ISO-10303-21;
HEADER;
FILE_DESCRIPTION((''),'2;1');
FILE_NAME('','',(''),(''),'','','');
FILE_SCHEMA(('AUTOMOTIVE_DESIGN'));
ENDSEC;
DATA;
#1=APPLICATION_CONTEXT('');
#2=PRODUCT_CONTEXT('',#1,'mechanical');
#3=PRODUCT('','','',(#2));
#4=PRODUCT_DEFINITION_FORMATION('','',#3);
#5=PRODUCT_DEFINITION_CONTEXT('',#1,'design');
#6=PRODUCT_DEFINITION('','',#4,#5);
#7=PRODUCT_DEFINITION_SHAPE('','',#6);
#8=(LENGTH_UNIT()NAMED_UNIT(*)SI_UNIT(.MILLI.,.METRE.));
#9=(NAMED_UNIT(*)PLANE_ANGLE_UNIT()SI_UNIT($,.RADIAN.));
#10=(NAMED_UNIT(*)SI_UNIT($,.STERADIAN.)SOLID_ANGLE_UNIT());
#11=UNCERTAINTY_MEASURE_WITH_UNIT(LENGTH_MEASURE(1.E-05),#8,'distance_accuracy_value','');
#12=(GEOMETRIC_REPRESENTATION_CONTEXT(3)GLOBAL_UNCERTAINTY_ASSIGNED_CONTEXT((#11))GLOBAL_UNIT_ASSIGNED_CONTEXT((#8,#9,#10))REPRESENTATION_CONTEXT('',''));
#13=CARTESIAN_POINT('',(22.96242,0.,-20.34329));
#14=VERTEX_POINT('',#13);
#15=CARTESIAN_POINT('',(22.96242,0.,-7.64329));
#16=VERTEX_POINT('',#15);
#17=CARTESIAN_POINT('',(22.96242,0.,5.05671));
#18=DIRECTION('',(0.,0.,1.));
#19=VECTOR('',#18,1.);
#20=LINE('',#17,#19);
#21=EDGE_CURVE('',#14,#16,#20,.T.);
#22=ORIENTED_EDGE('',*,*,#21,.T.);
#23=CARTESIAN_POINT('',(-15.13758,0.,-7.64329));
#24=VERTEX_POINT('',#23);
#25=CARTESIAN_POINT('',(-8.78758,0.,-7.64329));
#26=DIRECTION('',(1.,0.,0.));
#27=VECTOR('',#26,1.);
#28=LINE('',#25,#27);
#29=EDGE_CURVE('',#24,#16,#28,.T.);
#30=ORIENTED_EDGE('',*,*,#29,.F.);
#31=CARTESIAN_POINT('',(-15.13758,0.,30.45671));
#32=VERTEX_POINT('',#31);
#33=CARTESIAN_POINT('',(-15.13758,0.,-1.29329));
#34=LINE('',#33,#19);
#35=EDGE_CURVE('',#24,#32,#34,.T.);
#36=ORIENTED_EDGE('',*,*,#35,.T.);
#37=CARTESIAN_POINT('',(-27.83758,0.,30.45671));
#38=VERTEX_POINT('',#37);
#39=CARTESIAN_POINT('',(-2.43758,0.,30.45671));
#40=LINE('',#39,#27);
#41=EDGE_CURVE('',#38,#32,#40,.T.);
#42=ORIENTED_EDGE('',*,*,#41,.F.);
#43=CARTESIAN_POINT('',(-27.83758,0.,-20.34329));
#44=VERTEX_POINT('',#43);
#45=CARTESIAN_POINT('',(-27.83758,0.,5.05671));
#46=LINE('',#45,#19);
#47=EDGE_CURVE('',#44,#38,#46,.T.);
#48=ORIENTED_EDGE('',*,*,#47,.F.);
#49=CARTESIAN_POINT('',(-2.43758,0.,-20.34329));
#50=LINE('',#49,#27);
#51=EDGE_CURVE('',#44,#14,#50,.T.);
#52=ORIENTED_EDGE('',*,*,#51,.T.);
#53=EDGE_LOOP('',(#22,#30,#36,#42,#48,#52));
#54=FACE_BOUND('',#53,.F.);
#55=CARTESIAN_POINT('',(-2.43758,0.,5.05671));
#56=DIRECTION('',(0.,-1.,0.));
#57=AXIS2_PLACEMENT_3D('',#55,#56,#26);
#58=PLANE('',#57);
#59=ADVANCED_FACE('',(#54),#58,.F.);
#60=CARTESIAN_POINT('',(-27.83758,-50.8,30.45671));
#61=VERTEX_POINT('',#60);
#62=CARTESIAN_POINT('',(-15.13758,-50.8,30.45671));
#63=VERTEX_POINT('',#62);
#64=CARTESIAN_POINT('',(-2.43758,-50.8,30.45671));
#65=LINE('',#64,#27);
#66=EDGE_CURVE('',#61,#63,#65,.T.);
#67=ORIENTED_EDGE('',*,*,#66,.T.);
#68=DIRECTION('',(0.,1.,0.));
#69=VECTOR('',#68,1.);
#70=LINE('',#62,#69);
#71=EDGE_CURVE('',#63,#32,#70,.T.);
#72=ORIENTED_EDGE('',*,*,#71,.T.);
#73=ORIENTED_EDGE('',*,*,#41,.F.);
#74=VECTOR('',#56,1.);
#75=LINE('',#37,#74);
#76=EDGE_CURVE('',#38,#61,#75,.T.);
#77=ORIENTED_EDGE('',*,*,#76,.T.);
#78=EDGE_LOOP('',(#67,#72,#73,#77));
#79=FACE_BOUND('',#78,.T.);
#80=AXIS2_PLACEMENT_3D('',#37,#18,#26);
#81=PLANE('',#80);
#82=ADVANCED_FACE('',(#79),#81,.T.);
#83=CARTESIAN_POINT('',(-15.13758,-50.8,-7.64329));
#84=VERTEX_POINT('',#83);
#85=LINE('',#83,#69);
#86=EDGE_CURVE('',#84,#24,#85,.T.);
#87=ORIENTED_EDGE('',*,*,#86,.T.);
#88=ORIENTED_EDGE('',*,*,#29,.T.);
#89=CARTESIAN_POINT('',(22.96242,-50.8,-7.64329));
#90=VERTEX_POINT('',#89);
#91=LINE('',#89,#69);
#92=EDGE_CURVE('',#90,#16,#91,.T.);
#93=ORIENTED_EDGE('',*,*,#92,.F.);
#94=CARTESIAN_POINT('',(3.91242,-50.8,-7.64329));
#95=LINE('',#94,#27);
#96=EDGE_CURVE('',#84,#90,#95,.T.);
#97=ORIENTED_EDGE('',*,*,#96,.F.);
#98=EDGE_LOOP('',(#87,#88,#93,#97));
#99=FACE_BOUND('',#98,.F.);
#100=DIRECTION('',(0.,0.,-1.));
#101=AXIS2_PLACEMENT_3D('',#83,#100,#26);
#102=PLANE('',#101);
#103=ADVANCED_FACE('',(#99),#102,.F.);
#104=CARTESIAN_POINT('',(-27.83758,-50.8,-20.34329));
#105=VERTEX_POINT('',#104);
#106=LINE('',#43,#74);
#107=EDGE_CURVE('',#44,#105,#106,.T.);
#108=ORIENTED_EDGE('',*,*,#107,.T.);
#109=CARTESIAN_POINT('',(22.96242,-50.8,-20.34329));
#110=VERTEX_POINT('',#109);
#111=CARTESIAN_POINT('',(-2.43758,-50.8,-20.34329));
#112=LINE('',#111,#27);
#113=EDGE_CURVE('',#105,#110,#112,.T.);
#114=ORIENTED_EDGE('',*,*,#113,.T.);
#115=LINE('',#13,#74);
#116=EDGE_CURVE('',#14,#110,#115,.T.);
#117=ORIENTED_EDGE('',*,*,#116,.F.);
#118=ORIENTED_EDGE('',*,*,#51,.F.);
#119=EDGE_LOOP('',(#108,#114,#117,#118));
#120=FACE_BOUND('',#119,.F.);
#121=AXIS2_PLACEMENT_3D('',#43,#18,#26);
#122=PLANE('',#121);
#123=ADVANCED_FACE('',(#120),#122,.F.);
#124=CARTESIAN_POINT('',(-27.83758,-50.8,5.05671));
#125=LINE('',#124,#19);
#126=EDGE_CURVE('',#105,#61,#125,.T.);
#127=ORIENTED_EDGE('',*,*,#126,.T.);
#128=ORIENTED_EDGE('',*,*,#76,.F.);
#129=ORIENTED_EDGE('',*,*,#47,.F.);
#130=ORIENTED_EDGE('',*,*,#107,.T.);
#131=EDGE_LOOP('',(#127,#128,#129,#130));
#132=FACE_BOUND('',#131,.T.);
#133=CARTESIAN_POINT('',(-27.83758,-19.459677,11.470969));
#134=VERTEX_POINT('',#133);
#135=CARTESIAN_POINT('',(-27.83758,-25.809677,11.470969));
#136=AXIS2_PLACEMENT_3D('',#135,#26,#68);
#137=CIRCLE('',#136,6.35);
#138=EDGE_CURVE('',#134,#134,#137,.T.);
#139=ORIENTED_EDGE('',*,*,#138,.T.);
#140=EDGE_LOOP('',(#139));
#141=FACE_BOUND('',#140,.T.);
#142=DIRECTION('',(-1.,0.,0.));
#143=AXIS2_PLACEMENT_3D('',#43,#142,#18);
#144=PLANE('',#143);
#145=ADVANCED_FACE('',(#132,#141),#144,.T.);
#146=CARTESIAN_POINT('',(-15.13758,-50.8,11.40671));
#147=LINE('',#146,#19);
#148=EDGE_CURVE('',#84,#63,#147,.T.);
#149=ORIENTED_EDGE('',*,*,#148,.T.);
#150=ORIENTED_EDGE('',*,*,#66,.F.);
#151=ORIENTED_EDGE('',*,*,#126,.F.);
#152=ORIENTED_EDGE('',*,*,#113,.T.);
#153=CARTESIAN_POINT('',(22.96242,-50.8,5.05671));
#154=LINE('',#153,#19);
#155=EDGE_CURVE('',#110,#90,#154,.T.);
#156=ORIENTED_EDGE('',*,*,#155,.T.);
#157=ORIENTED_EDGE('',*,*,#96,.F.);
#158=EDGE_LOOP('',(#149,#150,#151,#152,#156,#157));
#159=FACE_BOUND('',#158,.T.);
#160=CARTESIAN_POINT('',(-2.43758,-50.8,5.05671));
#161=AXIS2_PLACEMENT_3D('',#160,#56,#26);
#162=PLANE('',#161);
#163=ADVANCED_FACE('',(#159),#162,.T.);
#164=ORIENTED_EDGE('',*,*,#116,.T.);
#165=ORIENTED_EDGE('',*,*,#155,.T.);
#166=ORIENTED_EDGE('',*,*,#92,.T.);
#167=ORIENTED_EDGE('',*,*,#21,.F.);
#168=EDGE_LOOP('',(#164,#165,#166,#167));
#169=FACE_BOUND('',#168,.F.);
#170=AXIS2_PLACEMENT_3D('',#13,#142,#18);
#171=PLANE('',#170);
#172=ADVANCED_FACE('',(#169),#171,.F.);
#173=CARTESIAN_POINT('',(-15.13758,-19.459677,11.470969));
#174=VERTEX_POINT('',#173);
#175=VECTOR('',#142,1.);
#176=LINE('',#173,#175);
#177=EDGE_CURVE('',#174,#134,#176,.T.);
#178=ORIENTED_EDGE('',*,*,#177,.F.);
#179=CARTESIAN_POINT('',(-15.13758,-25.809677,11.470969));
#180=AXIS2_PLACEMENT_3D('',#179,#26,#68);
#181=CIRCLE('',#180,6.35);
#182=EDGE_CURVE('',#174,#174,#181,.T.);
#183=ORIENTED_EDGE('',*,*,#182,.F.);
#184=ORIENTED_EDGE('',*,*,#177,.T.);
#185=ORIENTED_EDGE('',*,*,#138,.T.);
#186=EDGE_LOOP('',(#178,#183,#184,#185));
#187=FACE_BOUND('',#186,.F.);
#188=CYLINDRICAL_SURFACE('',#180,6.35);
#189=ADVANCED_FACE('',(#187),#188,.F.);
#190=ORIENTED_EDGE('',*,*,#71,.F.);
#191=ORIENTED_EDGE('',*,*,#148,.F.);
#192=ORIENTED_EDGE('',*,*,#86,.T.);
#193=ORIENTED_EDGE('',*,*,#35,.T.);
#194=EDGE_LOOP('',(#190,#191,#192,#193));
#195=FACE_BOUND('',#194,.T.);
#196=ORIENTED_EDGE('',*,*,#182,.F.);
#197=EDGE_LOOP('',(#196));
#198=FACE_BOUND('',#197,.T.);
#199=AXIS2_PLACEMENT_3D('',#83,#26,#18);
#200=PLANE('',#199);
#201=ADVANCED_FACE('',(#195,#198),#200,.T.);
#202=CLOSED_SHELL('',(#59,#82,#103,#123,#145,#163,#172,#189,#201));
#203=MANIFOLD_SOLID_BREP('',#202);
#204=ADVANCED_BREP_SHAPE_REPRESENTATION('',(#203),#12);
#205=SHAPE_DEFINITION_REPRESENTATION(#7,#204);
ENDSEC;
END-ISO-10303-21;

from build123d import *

# Parameters (mm, degrees)
F0_W     = 50.8
F0_H     = 50.8
F1_DEPTH = 50.8
F2_W     = 38.1
F2_H     = 38.1
F3_DEPTH = 61.214
F4_R     = 6.35
F5_DEPTH = 35.814


with BuildPart() as f1:
    # F0 (on Front) → F1 (new body)
    with BuildSketch(Plane.XZ):
        with Locations((-2.43758, 5.05671)):
            Rectangle(F0_W, F0_H)
    extrude(amount=F1_DEPTH)

    # F2 (on face) → F3 (cut)
    with BuildSketch(Plane.XZ.offset(50.8)):
        with Locations((3.91242, 11.40671)):
            Rectangle(F2_W, F2_H)
    extrude(amount=-F3_DEPTH, mode=Mode.SUBTRACT)

    # F4 (on face) → F5 (cut)
    with BuildSketch(Plane.YZ.offset(-15.13758)):
        with Locations((-25.809677, 11.470969)):
            Circle(F4_R)
    extrude(amount=-F5_DEPTH, mode=Mode.SUBTRACT)


solid = f1.part
